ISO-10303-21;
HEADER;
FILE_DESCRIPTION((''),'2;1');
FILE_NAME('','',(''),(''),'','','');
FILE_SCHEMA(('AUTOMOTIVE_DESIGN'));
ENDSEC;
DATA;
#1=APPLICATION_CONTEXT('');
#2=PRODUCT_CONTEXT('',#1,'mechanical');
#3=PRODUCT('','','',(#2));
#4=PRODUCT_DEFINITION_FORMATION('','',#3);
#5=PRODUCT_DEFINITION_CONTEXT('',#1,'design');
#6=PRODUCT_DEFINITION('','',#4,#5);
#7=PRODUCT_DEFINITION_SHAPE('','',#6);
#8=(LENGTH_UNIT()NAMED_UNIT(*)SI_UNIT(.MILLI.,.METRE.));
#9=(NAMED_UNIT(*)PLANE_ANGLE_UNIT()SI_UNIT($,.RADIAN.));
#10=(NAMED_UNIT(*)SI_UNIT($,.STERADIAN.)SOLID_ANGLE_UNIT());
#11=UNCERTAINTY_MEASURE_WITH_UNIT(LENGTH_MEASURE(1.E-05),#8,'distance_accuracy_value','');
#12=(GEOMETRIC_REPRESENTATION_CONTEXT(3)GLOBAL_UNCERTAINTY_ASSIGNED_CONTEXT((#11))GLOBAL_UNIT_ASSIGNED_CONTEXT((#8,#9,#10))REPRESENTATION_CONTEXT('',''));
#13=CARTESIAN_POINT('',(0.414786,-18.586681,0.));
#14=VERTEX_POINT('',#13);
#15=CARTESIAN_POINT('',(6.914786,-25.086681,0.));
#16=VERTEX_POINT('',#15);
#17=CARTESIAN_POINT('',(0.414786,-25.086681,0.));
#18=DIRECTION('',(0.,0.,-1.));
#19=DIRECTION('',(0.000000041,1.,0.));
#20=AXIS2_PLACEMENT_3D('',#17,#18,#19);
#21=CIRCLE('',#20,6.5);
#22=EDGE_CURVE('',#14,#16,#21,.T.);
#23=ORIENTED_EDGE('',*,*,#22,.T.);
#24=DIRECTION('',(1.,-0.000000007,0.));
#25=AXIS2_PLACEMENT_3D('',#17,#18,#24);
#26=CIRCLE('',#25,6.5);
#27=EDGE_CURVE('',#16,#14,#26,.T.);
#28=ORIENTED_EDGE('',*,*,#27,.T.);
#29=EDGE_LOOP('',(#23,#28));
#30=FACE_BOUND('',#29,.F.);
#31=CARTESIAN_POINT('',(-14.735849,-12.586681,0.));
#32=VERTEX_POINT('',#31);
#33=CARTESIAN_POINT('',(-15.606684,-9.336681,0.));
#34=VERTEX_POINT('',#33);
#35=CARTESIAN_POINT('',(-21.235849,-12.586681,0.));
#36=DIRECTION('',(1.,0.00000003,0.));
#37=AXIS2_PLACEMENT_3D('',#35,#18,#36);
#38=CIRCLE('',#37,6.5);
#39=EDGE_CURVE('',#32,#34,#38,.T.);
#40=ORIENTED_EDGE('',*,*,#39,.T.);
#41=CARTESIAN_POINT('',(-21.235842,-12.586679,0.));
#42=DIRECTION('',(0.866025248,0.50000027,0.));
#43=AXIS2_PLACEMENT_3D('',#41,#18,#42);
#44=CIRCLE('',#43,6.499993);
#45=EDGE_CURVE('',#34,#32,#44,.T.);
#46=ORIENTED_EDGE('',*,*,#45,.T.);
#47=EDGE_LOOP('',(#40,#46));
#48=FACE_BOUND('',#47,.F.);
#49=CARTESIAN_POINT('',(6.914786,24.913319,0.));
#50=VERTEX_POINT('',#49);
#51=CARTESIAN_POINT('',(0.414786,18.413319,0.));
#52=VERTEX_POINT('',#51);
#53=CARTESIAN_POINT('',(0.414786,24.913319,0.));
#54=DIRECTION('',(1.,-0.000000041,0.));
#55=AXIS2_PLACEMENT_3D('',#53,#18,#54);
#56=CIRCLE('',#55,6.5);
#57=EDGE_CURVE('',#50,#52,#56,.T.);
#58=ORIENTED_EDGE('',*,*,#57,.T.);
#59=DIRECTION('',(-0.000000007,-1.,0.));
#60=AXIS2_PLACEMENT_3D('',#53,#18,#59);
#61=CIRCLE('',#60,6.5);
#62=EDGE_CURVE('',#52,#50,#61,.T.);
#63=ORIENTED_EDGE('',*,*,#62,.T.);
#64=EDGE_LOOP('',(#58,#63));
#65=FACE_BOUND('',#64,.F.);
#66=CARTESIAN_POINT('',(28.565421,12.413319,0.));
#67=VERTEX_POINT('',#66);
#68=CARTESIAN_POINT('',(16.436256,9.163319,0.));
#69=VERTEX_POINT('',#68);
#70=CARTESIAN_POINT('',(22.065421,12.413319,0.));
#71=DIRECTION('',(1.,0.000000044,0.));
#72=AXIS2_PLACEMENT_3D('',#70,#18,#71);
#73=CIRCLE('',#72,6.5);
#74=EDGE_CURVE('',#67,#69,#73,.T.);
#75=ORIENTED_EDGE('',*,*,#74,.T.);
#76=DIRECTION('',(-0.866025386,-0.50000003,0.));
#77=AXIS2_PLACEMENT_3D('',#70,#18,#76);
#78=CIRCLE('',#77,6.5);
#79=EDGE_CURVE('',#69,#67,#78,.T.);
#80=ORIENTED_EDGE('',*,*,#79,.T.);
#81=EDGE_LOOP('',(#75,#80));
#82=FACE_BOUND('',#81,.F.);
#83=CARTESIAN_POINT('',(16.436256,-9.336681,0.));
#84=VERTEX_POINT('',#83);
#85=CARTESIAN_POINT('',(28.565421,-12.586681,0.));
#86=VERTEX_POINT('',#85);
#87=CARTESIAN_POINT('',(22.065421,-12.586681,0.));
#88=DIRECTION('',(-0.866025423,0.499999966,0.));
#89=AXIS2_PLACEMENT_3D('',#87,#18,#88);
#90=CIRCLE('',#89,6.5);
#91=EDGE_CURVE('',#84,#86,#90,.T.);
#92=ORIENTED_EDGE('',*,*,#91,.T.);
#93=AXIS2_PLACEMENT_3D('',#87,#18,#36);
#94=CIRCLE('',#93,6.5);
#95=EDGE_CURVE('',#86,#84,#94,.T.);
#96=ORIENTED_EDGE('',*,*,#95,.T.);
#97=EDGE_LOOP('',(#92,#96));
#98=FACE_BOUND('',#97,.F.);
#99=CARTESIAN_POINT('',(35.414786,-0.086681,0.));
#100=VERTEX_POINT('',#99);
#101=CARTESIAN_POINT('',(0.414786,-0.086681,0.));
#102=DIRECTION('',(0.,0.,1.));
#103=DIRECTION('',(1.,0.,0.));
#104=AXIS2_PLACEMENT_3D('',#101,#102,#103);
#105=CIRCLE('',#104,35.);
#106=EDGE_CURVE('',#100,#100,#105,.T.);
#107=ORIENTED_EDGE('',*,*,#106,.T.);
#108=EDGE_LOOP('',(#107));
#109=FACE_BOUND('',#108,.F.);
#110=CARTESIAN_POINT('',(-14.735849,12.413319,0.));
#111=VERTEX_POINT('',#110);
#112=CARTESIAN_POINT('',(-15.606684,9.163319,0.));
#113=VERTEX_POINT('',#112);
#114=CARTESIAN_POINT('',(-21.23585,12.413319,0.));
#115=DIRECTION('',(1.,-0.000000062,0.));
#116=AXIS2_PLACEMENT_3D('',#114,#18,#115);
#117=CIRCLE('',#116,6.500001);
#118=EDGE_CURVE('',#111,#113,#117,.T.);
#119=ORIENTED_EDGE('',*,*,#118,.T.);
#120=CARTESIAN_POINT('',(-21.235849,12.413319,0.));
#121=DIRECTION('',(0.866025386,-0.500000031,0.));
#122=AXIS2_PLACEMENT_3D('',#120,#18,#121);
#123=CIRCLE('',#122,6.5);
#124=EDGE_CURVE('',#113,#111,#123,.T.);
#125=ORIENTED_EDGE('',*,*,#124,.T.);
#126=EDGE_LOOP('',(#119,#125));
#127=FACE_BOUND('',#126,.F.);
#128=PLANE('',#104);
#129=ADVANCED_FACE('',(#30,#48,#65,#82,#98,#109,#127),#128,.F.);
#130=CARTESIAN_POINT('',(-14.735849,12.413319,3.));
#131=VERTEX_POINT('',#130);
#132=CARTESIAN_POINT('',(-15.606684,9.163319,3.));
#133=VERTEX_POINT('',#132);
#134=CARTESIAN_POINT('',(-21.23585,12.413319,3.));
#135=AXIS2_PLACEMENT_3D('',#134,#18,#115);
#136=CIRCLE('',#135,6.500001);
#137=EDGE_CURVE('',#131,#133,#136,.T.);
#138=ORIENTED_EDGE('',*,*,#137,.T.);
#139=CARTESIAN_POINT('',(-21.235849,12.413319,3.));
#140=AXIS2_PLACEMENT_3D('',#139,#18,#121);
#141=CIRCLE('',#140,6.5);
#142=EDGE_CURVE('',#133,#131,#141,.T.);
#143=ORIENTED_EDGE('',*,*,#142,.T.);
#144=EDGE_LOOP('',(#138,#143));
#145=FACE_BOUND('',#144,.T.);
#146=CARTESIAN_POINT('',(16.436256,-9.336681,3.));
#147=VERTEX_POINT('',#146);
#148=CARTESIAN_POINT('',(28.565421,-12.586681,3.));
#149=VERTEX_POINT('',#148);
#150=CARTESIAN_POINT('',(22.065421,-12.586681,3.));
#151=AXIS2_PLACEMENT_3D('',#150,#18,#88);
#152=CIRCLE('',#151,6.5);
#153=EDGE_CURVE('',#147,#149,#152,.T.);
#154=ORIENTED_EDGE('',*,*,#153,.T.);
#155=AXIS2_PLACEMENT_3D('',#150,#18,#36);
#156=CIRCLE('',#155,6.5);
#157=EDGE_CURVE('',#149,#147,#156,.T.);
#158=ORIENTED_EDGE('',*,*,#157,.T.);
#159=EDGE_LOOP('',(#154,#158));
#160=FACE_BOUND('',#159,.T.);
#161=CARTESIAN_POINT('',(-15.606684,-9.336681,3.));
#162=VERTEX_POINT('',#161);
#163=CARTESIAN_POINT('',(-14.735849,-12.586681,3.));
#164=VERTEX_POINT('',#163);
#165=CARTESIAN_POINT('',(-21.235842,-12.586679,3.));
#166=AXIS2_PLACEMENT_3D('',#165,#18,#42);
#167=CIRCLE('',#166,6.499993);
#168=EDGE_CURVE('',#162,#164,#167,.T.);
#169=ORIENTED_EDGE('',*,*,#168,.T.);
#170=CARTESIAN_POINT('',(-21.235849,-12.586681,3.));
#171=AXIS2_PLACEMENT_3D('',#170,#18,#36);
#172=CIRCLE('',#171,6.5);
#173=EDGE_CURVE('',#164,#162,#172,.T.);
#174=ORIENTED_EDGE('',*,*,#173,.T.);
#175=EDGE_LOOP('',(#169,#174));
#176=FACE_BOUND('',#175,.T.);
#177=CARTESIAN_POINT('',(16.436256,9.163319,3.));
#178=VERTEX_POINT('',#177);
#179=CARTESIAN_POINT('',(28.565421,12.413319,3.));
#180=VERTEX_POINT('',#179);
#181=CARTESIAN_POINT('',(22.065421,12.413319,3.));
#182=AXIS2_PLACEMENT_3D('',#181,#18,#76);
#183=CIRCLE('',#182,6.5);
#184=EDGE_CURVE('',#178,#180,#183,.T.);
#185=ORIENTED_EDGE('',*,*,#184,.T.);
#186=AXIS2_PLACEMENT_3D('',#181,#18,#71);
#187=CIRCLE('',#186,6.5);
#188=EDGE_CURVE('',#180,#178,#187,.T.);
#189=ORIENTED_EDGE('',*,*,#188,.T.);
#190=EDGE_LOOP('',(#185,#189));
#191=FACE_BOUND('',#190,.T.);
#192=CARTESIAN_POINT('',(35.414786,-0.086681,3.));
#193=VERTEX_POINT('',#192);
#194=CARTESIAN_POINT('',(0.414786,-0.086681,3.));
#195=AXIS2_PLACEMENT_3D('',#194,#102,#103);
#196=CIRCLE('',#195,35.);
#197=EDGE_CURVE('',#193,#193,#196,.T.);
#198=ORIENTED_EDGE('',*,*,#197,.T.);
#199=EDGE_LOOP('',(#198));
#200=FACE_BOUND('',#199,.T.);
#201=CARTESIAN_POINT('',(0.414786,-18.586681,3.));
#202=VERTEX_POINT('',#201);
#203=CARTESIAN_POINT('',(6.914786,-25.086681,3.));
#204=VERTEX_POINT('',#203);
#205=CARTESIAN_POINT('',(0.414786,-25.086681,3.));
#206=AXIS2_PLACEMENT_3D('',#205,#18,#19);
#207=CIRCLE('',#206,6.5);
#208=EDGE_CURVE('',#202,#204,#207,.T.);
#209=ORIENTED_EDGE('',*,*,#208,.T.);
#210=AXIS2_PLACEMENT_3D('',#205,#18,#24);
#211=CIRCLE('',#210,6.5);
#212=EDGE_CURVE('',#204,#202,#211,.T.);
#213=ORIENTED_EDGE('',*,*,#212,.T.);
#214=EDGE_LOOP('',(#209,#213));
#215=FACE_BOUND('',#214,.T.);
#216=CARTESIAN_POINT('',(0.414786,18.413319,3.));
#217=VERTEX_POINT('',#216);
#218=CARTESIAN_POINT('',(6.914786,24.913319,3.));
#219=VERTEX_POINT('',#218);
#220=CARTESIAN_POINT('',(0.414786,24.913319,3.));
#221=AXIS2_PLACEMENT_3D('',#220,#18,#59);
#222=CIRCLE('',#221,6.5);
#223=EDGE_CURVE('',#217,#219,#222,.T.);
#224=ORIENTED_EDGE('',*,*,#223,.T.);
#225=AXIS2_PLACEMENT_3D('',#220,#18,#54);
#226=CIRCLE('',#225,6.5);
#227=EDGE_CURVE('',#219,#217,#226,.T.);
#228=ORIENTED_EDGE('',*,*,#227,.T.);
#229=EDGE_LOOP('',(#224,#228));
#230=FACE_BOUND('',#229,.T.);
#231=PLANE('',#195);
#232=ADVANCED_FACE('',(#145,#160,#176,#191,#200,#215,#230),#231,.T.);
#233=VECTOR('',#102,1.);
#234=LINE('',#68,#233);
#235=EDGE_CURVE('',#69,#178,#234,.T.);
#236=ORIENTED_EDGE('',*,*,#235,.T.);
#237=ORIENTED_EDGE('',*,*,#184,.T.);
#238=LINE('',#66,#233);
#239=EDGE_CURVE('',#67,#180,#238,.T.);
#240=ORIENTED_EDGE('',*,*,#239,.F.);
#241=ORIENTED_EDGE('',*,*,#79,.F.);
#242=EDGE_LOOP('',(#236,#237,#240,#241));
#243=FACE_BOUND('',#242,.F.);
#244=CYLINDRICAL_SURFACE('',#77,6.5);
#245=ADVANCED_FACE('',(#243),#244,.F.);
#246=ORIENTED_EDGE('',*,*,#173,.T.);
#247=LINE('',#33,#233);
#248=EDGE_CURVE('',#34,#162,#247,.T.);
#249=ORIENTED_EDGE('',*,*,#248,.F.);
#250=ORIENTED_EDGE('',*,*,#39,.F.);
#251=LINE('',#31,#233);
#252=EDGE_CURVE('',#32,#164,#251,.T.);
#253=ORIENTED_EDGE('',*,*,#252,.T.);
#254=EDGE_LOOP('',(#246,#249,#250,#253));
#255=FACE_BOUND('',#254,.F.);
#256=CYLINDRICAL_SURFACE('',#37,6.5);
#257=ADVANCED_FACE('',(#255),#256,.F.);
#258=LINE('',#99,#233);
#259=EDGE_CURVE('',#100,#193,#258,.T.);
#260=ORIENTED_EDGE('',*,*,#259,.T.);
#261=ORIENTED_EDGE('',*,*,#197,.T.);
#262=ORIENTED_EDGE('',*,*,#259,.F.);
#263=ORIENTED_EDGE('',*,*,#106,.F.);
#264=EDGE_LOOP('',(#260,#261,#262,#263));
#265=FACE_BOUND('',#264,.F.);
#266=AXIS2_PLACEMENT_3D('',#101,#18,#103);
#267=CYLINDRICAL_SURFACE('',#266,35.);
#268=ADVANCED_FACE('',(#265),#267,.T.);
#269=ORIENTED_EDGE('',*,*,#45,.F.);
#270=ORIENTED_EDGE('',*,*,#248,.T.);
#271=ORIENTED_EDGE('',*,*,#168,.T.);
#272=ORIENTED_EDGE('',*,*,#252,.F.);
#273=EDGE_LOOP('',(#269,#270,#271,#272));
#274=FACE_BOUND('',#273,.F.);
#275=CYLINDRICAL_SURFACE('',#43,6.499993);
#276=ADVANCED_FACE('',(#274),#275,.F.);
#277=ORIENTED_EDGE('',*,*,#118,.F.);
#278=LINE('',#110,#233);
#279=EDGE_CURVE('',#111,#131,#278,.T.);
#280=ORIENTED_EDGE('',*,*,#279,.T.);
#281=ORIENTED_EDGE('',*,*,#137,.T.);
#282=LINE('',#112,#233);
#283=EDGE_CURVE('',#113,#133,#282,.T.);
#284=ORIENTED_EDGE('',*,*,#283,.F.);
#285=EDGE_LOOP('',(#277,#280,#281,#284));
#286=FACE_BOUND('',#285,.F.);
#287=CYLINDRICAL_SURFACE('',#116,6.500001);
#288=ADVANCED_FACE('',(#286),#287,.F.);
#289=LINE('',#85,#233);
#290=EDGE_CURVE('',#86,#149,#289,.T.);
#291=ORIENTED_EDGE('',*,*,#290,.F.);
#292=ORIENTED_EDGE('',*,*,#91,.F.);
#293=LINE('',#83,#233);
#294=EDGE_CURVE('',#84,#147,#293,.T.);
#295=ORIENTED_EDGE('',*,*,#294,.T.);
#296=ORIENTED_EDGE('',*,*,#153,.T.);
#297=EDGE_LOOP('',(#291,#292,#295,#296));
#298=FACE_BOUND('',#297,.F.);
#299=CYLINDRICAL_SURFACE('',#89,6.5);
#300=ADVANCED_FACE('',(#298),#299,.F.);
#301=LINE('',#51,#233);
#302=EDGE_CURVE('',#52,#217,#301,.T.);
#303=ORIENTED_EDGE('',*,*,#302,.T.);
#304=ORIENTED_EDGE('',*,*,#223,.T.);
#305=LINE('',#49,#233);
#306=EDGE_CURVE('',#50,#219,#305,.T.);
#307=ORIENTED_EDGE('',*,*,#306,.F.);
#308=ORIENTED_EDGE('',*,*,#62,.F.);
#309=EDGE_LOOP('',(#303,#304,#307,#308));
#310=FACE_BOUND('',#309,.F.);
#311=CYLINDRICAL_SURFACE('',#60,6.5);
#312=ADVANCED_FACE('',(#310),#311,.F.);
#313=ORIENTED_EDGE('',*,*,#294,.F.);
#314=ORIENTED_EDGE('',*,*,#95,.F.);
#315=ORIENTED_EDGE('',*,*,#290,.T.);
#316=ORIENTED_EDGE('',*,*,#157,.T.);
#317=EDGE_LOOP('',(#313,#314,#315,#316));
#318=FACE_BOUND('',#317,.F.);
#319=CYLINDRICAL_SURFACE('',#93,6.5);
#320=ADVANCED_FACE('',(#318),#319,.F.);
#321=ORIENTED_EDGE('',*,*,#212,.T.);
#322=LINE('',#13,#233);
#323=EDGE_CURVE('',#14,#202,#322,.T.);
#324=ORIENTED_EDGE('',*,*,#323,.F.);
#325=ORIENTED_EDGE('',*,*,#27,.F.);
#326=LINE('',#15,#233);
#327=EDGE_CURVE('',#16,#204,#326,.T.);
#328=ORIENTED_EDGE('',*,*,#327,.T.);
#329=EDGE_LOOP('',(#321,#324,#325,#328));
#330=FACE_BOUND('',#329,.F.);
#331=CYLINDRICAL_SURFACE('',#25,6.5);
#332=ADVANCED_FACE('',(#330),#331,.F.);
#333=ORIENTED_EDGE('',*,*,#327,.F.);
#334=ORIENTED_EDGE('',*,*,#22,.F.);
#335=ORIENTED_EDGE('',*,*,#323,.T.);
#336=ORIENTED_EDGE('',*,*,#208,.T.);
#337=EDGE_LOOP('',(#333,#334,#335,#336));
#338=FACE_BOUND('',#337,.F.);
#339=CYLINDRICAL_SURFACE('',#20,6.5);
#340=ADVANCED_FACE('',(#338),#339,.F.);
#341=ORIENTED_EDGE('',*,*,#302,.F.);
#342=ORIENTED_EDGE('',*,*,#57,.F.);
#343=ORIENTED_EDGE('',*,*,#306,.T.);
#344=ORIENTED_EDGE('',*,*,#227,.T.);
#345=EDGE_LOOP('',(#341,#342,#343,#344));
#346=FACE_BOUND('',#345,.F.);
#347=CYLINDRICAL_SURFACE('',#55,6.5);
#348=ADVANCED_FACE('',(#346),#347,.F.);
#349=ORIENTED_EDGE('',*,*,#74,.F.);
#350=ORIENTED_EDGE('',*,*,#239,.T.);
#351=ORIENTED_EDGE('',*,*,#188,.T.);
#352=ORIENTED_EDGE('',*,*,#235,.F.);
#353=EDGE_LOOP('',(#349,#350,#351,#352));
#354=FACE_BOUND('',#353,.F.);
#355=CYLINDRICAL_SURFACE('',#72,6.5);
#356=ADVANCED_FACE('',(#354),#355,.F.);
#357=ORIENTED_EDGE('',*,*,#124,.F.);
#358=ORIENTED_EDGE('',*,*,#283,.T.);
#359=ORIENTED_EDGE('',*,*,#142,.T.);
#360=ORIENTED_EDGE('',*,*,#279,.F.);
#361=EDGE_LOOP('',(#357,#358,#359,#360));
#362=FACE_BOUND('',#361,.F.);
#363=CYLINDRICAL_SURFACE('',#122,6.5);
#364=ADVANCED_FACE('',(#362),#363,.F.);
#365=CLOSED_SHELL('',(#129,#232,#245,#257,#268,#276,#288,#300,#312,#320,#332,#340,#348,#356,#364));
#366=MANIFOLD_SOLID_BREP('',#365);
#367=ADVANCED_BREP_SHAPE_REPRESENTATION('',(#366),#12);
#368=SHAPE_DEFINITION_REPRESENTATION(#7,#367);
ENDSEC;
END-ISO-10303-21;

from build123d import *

# Parameters (mm, degrees)
F0_R     = 35
F1_DEPTH = 3


with BuildPart() as f1:
    # F0 (on Top) → F1 (new body)
    with BuildSketch(Plane.XY):
        with Locations((0.414786, -0.086681)):
            Circle(F0_R)
        with BuildLine():
            ThreePointArc((-14.735849, -12.586681), (-27.514367, -14.269004), (-15.606684, -9.336681))
            ThreePointArc((-15.606684, -9.336681), (-14.957331, -10.904357), (-14.735849, -12.586681))
        make_face(mode=Mode.SUBTRACT)
        with BuildLine():
            ThreePointArc((6.914786, -25.086681), (-4.181408, -29.682875), (0.414786, -18.586681))
            ThreePointArc((0.414786, -18.586681), (5.01098, -20.490487), (6.914786, -25.086681))
        make_face(mode=Mode.SUBTRACT)
        with BuildLine():
            ThreePointArc((28.565421, -12.586681), (20.383097, -18.865199), (16.436256, -9.336681))
            ThreePointArc((16.436256, -9.336681), (23.747745, -6.308163), (28.565421, -12.586681))
        make_face(mode=Mode.SUBTRACT)
        with BuildLine():
            ThreePointArc((-14.735849, 12.413319), (-14.957331, 10.730996), (-15.606684, 9.163319))
            ThreePointArc((-15.606684, 9.163319), (-27.514367, 14.095643), (-14.735849, 12.413319))
        make_face(mode=Mode.SUBTRACT)
        with BuildLine():
            ThreePointArc((28.565421, 12.413319), (23.747745, 6.134801), (16.436256, 9.163319))
            ThreePointArc((16.436256, 9.163319), (20.383097, 18.691837), (28.565421, 12.413319))
        make_face(mode=Mode.SUBTRACT)
        with BuildLine():
            ThreePointArc((6.914786, 24.913319), (5.01098, 20.317125), (0.414786, 18.413319))
            ThreePointArc((0.414786, 18.413319), (-4.181408, 29.509513), (6.914786, 24.913319))
        make_face(mode=Mode.SUBTRACT)
    extrude(amount=F1_DEPTH)


solid = f1.part
